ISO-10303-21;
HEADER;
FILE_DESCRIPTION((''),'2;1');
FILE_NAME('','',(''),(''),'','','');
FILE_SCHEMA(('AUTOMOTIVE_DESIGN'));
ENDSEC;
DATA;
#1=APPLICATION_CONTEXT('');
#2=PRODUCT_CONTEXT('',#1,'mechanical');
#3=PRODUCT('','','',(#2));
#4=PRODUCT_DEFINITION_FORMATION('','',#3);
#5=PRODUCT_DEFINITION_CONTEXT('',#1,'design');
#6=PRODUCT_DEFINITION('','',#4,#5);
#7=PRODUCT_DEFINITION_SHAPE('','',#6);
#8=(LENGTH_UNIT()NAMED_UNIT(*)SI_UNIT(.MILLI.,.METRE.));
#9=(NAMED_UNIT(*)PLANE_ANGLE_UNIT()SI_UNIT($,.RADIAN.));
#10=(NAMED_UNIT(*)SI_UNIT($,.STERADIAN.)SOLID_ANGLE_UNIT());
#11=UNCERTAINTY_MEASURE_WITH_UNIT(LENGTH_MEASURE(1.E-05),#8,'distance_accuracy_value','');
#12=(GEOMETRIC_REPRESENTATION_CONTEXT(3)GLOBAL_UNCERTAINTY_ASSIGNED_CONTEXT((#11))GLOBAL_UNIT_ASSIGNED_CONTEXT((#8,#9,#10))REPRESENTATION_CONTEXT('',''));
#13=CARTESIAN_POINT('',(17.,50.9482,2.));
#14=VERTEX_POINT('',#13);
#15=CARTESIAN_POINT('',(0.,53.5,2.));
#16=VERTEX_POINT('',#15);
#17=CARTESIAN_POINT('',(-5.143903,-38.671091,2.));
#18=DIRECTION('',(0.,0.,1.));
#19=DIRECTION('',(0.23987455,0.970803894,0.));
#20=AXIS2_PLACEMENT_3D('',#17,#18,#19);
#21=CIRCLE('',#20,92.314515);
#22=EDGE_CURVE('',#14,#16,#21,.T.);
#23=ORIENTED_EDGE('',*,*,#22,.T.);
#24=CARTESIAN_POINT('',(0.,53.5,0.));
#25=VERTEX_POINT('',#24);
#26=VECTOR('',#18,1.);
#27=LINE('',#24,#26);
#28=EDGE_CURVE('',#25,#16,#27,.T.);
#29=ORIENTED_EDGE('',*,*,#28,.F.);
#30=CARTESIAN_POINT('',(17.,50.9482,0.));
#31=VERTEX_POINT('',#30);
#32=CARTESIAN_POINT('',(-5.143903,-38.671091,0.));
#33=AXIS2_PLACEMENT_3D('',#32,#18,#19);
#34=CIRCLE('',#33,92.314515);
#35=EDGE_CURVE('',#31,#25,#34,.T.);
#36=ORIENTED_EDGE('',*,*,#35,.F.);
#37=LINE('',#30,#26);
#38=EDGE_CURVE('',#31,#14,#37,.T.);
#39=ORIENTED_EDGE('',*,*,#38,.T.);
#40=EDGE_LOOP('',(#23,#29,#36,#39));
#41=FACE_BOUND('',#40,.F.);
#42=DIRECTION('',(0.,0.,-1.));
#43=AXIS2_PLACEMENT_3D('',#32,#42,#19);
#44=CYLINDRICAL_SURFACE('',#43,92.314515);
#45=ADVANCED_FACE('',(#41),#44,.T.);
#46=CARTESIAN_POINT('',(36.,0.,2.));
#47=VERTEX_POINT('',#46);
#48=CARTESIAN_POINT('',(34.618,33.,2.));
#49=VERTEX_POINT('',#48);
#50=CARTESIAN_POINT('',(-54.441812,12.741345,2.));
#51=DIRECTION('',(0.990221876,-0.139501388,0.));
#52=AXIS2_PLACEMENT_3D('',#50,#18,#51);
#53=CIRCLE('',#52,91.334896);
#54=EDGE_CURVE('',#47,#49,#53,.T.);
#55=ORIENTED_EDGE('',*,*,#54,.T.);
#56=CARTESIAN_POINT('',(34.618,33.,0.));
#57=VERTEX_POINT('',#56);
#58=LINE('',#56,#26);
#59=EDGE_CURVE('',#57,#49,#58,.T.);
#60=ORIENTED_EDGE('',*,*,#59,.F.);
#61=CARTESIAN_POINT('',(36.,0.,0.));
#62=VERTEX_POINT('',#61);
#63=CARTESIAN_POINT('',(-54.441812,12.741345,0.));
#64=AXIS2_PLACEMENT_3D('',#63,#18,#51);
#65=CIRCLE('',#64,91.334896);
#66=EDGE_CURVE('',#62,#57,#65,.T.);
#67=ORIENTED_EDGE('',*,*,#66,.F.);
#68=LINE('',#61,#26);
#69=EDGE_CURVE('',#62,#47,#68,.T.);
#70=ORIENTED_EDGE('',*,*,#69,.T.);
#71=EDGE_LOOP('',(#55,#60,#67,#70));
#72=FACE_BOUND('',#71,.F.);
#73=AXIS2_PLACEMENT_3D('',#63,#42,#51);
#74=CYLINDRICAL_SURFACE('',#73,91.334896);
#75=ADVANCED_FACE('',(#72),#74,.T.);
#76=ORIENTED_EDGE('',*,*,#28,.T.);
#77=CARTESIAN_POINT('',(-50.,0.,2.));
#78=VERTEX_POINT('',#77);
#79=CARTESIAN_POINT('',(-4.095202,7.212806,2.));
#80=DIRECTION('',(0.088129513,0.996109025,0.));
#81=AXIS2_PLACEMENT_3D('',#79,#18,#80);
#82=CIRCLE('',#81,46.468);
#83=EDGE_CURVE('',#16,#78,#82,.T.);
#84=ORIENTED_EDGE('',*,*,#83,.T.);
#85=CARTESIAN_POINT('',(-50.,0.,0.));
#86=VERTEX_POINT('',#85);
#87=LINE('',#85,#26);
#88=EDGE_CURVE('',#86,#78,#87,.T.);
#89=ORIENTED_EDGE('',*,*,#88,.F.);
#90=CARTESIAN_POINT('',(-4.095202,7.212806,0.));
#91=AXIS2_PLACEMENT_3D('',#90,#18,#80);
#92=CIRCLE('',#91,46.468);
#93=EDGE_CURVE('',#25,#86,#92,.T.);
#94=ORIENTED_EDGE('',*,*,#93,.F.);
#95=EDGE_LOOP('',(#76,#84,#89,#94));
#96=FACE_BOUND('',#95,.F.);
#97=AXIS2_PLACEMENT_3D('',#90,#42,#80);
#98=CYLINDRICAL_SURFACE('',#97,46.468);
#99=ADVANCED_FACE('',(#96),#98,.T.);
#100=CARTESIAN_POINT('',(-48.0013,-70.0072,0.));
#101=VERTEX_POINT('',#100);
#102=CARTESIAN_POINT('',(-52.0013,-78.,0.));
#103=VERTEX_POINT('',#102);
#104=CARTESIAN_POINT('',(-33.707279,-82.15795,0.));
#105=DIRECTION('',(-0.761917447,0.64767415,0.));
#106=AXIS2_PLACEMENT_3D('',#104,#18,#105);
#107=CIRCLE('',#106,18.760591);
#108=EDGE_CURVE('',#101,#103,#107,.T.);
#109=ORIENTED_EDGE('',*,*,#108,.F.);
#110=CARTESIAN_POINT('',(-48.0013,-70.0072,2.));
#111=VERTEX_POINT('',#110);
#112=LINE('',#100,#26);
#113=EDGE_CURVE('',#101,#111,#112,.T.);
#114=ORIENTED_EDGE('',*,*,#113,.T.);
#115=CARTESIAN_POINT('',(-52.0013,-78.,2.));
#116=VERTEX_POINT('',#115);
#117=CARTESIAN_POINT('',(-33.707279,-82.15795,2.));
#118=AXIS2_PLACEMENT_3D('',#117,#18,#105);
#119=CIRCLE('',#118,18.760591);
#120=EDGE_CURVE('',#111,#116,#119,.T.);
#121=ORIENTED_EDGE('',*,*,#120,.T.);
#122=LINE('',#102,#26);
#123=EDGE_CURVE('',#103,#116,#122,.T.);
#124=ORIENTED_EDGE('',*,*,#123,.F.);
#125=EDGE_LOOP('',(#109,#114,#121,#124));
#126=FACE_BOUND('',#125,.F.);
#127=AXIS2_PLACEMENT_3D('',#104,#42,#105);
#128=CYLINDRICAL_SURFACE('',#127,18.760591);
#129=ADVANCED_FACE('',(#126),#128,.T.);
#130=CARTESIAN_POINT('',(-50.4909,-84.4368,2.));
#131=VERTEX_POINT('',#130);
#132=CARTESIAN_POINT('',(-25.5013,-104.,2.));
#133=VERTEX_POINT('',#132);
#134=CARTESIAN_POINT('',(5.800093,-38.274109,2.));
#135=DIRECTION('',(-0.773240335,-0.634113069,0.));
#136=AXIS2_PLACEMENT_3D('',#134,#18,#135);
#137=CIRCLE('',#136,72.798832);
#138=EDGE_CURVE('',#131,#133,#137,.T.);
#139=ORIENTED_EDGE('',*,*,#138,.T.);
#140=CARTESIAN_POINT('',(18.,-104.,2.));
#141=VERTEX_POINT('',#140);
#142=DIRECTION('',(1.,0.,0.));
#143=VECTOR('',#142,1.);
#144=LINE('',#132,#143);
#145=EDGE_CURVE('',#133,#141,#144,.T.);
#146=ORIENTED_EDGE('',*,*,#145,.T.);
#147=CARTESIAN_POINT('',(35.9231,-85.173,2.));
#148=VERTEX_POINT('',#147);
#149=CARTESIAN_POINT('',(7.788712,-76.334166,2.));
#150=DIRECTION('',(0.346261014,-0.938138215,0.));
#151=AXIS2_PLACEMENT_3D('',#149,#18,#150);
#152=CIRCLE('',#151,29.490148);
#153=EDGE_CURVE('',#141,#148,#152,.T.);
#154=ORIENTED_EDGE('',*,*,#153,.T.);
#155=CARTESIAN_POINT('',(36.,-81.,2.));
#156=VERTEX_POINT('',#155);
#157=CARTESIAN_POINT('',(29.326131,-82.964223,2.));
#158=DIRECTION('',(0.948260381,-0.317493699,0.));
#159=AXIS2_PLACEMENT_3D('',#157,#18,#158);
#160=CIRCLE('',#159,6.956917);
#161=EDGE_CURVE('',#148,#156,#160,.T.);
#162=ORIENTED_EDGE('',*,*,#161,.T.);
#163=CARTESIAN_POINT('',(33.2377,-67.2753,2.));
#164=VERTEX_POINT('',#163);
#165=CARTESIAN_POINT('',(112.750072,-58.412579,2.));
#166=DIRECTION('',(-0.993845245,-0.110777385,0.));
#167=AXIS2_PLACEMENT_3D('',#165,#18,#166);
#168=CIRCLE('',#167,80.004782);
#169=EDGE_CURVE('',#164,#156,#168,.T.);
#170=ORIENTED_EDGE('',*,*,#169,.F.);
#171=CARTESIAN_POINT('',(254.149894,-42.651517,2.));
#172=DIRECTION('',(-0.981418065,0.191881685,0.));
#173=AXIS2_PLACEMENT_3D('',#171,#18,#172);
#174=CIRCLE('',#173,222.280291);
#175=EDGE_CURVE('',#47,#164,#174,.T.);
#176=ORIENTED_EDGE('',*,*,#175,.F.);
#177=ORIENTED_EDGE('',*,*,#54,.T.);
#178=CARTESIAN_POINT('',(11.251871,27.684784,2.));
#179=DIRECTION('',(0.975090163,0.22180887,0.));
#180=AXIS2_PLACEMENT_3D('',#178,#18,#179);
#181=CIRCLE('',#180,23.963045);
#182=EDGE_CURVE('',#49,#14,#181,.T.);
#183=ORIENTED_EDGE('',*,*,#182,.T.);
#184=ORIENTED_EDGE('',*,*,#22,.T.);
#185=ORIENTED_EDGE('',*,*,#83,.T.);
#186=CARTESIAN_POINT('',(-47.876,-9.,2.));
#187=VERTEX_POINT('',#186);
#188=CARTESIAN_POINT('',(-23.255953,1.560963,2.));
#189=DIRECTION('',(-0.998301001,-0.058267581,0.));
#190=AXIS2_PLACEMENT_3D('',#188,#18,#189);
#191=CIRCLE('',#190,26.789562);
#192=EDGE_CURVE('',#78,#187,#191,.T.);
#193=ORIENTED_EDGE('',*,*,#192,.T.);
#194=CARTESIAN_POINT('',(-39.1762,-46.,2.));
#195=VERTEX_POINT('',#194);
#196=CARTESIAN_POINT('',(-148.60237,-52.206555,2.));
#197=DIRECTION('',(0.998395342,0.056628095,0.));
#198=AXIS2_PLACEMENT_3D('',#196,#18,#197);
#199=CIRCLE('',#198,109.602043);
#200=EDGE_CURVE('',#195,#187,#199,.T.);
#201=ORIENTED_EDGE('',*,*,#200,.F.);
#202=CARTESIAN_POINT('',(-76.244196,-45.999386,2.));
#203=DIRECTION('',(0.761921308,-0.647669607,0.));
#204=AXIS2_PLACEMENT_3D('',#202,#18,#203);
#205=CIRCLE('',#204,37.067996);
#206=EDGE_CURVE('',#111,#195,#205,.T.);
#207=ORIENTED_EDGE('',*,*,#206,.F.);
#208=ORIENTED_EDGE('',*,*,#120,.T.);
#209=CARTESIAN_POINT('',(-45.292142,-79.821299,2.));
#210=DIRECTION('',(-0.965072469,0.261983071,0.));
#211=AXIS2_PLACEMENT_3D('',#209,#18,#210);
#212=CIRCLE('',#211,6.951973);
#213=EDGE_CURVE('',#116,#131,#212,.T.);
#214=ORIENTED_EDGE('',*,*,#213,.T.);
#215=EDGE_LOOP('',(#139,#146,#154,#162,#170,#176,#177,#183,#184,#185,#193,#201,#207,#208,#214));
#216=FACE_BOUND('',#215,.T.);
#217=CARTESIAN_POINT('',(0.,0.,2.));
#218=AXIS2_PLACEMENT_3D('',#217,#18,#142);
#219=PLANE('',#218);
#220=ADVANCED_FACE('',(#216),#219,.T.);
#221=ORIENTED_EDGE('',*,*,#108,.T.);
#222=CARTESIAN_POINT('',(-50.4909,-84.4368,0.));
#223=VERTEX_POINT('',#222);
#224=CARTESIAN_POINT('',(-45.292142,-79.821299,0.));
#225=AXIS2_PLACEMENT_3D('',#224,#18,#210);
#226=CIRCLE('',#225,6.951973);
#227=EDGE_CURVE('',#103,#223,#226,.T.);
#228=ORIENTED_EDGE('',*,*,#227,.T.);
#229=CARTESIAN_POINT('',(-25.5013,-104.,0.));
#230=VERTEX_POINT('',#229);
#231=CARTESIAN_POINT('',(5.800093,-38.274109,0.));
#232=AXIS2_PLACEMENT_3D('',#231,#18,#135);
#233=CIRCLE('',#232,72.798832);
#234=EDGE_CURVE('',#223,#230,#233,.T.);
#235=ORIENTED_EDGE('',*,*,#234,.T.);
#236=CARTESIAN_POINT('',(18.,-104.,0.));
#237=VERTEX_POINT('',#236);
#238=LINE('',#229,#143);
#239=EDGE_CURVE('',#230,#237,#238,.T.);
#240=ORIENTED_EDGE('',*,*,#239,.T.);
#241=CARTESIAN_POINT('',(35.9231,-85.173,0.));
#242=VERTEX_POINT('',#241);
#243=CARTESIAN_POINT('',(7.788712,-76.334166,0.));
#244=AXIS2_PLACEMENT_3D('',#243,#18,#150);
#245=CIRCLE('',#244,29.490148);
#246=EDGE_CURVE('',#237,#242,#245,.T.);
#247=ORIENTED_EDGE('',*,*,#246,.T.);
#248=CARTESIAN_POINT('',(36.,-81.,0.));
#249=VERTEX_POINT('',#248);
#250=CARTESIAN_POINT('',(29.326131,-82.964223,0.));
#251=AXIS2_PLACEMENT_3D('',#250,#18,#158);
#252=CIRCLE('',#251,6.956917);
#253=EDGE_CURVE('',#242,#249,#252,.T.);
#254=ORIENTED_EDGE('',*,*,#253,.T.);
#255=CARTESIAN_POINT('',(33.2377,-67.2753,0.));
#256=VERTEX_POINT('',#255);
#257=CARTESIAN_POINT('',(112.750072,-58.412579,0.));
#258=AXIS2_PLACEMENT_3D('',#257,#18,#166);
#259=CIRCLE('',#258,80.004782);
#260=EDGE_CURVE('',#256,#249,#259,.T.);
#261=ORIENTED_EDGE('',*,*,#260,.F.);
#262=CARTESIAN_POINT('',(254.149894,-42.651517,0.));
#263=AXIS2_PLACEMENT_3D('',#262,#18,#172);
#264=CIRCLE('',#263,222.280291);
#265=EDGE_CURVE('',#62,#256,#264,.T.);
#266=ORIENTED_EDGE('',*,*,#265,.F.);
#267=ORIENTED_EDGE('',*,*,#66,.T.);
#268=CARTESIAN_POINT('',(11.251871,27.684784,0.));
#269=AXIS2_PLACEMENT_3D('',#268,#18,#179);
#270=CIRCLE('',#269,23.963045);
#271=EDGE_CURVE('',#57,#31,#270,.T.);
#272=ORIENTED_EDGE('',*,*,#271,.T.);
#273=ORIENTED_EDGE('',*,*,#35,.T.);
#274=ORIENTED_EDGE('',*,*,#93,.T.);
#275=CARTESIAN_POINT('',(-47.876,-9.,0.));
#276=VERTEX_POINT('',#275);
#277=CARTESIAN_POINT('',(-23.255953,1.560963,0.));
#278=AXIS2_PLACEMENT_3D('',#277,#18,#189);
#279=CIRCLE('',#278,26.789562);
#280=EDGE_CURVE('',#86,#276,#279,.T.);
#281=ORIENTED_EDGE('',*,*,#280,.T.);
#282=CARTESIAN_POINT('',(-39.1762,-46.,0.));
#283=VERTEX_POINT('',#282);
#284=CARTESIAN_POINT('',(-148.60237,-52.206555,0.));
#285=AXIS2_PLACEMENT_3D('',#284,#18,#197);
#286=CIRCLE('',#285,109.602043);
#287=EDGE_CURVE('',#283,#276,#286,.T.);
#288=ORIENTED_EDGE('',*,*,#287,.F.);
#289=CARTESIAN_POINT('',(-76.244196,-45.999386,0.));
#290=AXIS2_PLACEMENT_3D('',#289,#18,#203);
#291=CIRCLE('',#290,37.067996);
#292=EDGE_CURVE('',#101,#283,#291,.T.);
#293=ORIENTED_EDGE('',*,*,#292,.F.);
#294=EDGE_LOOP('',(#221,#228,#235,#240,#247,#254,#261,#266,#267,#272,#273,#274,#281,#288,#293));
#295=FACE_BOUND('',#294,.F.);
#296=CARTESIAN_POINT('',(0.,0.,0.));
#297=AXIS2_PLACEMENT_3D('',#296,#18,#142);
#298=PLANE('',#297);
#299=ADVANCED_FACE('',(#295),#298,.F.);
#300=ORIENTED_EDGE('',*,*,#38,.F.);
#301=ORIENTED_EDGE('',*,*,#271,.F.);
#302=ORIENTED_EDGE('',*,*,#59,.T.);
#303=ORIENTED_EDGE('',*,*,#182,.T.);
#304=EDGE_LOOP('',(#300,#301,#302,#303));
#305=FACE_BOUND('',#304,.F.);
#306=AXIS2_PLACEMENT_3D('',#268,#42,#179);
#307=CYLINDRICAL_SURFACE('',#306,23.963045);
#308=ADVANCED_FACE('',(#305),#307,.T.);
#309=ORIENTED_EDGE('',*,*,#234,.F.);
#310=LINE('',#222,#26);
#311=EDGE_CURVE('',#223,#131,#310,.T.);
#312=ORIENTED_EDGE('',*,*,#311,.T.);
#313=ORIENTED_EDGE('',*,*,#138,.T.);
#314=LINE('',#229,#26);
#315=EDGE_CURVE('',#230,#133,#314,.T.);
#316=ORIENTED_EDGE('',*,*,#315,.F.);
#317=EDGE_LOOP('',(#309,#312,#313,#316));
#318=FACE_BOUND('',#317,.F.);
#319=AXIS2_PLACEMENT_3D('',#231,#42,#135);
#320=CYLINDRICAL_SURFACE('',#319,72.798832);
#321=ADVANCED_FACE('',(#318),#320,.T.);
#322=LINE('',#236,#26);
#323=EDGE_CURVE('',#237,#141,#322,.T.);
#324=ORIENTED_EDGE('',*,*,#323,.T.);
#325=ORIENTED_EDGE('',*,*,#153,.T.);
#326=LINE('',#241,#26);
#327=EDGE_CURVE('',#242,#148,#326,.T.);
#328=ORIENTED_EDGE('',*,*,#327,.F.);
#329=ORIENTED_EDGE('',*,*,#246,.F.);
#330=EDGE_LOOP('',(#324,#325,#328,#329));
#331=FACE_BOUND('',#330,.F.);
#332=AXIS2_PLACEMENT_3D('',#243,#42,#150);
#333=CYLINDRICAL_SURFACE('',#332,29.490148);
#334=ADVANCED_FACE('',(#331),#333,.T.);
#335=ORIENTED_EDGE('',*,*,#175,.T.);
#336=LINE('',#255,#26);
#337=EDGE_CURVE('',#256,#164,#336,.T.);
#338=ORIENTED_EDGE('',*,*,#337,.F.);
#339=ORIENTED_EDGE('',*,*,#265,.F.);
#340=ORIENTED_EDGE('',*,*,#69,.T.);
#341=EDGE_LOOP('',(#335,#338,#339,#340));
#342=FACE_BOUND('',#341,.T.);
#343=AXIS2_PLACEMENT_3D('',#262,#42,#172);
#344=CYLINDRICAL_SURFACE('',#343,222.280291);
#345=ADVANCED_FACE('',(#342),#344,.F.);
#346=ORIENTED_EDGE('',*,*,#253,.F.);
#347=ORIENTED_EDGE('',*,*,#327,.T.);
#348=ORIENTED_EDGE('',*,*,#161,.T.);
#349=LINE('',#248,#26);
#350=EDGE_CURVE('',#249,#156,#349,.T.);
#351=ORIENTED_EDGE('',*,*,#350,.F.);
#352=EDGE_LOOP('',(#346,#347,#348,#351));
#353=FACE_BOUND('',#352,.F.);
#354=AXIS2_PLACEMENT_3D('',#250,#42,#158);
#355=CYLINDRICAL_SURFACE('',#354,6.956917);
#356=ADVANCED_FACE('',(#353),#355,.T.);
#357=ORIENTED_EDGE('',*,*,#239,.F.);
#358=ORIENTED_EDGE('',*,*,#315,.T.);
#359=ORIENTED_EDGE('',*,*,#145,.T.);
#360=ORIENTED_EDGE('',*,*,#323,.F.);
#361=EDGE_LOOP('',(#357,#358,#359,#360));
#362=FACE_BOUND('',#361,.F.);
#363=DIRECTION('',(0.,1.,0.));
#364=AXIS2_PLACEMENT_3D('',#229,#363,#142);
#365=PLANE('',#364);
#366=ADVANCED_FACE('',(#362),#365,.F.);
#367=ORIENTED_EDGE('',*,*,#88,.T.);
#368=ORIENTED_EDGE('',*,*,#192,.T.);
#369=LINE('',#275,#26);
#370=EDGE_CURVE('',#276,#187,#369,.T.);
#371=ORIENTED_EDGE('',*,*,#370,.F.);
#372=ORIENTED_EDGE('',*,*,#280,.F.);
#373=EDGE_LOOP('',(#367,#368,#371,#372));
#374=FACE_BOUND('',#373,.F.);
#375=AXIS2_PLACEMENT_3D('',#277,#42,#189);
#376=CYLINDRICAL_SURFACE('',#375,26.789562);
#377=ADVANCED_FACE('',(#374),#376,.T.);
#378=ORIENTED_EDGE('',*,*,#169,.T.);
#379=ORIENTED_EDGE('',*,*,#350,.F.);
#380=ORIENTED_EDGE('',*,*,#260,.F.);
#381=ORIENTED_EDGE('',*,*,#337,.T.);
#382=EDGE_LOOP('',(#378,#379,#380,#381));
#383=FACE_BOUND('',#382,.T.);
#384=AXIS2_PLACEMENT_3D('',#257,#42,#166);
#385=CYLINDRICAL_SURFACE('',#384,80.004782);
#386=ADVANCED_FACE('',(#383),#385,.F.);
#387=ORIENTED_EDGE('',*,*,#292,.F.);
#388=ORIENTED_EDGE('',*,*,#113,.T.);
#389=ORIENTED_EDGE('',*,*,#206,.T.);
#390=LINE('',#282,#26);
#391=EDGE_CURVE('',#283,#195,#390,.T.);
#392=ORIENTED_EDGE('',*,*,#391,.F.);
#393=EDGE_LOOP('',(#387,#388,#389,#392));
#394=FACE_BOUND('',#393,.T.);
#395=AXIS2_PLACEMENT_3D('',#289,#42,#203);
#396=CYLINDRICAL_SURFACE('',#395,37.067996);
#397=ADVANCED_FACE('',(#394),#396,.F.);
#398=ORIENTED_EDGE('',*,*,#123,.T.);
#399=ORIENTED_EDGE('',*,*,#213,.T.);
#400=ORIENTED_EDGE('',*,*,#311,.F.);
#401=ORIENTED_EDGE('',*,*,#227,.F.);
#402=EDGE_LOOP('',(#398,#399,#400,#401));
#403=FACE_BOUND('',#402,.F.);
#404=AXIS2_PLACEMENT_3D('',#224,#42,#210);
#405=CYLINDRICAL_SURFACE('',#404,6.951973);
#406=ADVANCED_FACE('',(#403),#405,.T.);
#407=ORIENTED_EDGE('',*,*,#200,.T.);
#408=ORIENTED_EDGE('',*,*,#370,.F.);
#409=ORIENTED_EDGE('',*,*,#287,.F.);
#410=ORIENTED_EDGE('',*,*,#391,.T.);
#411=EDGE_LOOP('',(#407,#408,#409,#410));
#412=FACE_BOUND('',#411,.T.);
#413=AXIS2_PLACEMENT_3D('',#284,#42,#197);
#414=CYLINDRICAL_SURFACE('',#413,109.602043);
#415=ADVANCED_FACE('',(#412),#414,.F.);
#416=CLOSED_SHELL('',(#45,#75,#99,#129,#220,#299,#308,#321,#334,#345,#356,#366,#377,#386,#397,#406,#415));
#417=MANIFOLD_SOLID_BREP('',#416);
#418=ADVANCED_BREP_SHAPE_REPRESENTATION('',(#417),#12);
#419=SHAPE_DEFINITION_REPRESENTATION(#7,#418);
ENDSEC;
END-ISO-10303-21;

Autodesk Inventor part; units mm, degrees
ref_plane "YZ Plane" through (0, 0, 0) normal (1, 0, 0) x (0, 1, 0)
ref_plane "XZ Plane" through (0, 0, 0) normal (0, 1, 0) x (-1, 0, 0)
ref_plane "XY Plane" through (0, 0, 0) normal (0, 0, 1) x (1, 0, 0)
sketch "Sketch1" plane through (0, 0, 0) normal (0, 0, 1) x (1, 0, 0)
  arc A0 (17, 50.9482) -> (0, 53.5) centre (-5.1444, -38.6736) ccw
  arc A1 (34.618, 33) -> (17, 50.9482) centre (11.2519, 27.6848) ccw
  arc A2 (36, 0) -> (34.618, 33) centre (-54.4409, 12.7413) ccw
  line L0 (36, 0) -> (36, -81) construction
  arc A3 (-50, 0) -> (-47.876, -9) centre (-23.2557, 1.561) ccw
  line L1 (-50, 0) -> (-52.0013, -78) construction
  arc A4 (-39.1762, -46) -> (-47.876, -9) centre (-148.6013, -52.2064) ccw
  arc A5 (-48.0013, -70.0072) -> (-39.1762, -46) centre (-76.244, -45.9995) ccw
  arc A6 (-48.0013, -70.0072) -> (-52.0013, -78) centre (-33.7069, -82.1582) ccw
  line L2 (36, 0) -> (36, -81) construction
  arc A7 (0, 53.5) -> (-50, 0) centre (-4.0952, 7.2128) ccw
  arc A8 (-52.0013, -78) -> (-50.4909, -84.4368) centre (-45.2921, -79.8213) ccw
  arc A9 (-50.4909, -84.4368) -> (-25.5013, -104) centre (5.8002, -38.274) ccw
  line L3 (-25.5013, -104) -> (18, -104)
  arc A10 (36, 0) -> (33.2377, -67.2753) centre (254.1506, -42.6516) ccw
  arc A11 (18, -104) -> (35.9231, -85.173) centre (7.7888, -76.3343) ccw
  arc A12 (33.2377, -67.2753) -> (36, -81) centre (112.7493, -58.4127) ccw
  arc A13 (35.9231, -85.173) -> (36, -81) centre (29.326, -82.9642) ccw
  point P0 (0, 0)
  dimension "d6" = 53.5
  dimension "d7" = 50
  dimension "d8" = 36
  dimension "d10" = 81
  dimension "d16" = 78
  dimension "d18" = 9
  dimension "d24" = 4
  dimension "d28" = 33
  dimension "d29" = 46
  dimension "d33" = 104
  dimension "d34" = 26.5
  dimension "d35" = 18
  dimension "d36" = 0
  dimension "d38" = 92.317
  dimension "d39" = 91.334
  dimension "d40" = 46.468
  dimension "d41" = 26.7899
  dimension "d42" = 222.281
  dimension "d43" = 80.004
  dimension "d44" = 109.601
  dimension "d45" = 37.0678
  dimension "d46" = 18.761
  dimension "d47" = 6.952
  dimension "d48" = 72.799
  dimension "d49" = 29.49
  dimension "d50" = 6.957
  dimension "d51" = 17
  dimension "d52" = 0
  dimension "d53" = 23.963
  dimension "d54" = 50
  dimension "d55" = 2.0013
  dimension "d56" = 12.0001
  dimension "d57" = 67.2753
  dimension "d58" = 18.827
  dimension "d59" = 19.5632
  dimension "d61" = 24.9896
extrude "Extrusion1" add sketch "Sketch1" along normal blind 2
properties part number "_3DPrint"
